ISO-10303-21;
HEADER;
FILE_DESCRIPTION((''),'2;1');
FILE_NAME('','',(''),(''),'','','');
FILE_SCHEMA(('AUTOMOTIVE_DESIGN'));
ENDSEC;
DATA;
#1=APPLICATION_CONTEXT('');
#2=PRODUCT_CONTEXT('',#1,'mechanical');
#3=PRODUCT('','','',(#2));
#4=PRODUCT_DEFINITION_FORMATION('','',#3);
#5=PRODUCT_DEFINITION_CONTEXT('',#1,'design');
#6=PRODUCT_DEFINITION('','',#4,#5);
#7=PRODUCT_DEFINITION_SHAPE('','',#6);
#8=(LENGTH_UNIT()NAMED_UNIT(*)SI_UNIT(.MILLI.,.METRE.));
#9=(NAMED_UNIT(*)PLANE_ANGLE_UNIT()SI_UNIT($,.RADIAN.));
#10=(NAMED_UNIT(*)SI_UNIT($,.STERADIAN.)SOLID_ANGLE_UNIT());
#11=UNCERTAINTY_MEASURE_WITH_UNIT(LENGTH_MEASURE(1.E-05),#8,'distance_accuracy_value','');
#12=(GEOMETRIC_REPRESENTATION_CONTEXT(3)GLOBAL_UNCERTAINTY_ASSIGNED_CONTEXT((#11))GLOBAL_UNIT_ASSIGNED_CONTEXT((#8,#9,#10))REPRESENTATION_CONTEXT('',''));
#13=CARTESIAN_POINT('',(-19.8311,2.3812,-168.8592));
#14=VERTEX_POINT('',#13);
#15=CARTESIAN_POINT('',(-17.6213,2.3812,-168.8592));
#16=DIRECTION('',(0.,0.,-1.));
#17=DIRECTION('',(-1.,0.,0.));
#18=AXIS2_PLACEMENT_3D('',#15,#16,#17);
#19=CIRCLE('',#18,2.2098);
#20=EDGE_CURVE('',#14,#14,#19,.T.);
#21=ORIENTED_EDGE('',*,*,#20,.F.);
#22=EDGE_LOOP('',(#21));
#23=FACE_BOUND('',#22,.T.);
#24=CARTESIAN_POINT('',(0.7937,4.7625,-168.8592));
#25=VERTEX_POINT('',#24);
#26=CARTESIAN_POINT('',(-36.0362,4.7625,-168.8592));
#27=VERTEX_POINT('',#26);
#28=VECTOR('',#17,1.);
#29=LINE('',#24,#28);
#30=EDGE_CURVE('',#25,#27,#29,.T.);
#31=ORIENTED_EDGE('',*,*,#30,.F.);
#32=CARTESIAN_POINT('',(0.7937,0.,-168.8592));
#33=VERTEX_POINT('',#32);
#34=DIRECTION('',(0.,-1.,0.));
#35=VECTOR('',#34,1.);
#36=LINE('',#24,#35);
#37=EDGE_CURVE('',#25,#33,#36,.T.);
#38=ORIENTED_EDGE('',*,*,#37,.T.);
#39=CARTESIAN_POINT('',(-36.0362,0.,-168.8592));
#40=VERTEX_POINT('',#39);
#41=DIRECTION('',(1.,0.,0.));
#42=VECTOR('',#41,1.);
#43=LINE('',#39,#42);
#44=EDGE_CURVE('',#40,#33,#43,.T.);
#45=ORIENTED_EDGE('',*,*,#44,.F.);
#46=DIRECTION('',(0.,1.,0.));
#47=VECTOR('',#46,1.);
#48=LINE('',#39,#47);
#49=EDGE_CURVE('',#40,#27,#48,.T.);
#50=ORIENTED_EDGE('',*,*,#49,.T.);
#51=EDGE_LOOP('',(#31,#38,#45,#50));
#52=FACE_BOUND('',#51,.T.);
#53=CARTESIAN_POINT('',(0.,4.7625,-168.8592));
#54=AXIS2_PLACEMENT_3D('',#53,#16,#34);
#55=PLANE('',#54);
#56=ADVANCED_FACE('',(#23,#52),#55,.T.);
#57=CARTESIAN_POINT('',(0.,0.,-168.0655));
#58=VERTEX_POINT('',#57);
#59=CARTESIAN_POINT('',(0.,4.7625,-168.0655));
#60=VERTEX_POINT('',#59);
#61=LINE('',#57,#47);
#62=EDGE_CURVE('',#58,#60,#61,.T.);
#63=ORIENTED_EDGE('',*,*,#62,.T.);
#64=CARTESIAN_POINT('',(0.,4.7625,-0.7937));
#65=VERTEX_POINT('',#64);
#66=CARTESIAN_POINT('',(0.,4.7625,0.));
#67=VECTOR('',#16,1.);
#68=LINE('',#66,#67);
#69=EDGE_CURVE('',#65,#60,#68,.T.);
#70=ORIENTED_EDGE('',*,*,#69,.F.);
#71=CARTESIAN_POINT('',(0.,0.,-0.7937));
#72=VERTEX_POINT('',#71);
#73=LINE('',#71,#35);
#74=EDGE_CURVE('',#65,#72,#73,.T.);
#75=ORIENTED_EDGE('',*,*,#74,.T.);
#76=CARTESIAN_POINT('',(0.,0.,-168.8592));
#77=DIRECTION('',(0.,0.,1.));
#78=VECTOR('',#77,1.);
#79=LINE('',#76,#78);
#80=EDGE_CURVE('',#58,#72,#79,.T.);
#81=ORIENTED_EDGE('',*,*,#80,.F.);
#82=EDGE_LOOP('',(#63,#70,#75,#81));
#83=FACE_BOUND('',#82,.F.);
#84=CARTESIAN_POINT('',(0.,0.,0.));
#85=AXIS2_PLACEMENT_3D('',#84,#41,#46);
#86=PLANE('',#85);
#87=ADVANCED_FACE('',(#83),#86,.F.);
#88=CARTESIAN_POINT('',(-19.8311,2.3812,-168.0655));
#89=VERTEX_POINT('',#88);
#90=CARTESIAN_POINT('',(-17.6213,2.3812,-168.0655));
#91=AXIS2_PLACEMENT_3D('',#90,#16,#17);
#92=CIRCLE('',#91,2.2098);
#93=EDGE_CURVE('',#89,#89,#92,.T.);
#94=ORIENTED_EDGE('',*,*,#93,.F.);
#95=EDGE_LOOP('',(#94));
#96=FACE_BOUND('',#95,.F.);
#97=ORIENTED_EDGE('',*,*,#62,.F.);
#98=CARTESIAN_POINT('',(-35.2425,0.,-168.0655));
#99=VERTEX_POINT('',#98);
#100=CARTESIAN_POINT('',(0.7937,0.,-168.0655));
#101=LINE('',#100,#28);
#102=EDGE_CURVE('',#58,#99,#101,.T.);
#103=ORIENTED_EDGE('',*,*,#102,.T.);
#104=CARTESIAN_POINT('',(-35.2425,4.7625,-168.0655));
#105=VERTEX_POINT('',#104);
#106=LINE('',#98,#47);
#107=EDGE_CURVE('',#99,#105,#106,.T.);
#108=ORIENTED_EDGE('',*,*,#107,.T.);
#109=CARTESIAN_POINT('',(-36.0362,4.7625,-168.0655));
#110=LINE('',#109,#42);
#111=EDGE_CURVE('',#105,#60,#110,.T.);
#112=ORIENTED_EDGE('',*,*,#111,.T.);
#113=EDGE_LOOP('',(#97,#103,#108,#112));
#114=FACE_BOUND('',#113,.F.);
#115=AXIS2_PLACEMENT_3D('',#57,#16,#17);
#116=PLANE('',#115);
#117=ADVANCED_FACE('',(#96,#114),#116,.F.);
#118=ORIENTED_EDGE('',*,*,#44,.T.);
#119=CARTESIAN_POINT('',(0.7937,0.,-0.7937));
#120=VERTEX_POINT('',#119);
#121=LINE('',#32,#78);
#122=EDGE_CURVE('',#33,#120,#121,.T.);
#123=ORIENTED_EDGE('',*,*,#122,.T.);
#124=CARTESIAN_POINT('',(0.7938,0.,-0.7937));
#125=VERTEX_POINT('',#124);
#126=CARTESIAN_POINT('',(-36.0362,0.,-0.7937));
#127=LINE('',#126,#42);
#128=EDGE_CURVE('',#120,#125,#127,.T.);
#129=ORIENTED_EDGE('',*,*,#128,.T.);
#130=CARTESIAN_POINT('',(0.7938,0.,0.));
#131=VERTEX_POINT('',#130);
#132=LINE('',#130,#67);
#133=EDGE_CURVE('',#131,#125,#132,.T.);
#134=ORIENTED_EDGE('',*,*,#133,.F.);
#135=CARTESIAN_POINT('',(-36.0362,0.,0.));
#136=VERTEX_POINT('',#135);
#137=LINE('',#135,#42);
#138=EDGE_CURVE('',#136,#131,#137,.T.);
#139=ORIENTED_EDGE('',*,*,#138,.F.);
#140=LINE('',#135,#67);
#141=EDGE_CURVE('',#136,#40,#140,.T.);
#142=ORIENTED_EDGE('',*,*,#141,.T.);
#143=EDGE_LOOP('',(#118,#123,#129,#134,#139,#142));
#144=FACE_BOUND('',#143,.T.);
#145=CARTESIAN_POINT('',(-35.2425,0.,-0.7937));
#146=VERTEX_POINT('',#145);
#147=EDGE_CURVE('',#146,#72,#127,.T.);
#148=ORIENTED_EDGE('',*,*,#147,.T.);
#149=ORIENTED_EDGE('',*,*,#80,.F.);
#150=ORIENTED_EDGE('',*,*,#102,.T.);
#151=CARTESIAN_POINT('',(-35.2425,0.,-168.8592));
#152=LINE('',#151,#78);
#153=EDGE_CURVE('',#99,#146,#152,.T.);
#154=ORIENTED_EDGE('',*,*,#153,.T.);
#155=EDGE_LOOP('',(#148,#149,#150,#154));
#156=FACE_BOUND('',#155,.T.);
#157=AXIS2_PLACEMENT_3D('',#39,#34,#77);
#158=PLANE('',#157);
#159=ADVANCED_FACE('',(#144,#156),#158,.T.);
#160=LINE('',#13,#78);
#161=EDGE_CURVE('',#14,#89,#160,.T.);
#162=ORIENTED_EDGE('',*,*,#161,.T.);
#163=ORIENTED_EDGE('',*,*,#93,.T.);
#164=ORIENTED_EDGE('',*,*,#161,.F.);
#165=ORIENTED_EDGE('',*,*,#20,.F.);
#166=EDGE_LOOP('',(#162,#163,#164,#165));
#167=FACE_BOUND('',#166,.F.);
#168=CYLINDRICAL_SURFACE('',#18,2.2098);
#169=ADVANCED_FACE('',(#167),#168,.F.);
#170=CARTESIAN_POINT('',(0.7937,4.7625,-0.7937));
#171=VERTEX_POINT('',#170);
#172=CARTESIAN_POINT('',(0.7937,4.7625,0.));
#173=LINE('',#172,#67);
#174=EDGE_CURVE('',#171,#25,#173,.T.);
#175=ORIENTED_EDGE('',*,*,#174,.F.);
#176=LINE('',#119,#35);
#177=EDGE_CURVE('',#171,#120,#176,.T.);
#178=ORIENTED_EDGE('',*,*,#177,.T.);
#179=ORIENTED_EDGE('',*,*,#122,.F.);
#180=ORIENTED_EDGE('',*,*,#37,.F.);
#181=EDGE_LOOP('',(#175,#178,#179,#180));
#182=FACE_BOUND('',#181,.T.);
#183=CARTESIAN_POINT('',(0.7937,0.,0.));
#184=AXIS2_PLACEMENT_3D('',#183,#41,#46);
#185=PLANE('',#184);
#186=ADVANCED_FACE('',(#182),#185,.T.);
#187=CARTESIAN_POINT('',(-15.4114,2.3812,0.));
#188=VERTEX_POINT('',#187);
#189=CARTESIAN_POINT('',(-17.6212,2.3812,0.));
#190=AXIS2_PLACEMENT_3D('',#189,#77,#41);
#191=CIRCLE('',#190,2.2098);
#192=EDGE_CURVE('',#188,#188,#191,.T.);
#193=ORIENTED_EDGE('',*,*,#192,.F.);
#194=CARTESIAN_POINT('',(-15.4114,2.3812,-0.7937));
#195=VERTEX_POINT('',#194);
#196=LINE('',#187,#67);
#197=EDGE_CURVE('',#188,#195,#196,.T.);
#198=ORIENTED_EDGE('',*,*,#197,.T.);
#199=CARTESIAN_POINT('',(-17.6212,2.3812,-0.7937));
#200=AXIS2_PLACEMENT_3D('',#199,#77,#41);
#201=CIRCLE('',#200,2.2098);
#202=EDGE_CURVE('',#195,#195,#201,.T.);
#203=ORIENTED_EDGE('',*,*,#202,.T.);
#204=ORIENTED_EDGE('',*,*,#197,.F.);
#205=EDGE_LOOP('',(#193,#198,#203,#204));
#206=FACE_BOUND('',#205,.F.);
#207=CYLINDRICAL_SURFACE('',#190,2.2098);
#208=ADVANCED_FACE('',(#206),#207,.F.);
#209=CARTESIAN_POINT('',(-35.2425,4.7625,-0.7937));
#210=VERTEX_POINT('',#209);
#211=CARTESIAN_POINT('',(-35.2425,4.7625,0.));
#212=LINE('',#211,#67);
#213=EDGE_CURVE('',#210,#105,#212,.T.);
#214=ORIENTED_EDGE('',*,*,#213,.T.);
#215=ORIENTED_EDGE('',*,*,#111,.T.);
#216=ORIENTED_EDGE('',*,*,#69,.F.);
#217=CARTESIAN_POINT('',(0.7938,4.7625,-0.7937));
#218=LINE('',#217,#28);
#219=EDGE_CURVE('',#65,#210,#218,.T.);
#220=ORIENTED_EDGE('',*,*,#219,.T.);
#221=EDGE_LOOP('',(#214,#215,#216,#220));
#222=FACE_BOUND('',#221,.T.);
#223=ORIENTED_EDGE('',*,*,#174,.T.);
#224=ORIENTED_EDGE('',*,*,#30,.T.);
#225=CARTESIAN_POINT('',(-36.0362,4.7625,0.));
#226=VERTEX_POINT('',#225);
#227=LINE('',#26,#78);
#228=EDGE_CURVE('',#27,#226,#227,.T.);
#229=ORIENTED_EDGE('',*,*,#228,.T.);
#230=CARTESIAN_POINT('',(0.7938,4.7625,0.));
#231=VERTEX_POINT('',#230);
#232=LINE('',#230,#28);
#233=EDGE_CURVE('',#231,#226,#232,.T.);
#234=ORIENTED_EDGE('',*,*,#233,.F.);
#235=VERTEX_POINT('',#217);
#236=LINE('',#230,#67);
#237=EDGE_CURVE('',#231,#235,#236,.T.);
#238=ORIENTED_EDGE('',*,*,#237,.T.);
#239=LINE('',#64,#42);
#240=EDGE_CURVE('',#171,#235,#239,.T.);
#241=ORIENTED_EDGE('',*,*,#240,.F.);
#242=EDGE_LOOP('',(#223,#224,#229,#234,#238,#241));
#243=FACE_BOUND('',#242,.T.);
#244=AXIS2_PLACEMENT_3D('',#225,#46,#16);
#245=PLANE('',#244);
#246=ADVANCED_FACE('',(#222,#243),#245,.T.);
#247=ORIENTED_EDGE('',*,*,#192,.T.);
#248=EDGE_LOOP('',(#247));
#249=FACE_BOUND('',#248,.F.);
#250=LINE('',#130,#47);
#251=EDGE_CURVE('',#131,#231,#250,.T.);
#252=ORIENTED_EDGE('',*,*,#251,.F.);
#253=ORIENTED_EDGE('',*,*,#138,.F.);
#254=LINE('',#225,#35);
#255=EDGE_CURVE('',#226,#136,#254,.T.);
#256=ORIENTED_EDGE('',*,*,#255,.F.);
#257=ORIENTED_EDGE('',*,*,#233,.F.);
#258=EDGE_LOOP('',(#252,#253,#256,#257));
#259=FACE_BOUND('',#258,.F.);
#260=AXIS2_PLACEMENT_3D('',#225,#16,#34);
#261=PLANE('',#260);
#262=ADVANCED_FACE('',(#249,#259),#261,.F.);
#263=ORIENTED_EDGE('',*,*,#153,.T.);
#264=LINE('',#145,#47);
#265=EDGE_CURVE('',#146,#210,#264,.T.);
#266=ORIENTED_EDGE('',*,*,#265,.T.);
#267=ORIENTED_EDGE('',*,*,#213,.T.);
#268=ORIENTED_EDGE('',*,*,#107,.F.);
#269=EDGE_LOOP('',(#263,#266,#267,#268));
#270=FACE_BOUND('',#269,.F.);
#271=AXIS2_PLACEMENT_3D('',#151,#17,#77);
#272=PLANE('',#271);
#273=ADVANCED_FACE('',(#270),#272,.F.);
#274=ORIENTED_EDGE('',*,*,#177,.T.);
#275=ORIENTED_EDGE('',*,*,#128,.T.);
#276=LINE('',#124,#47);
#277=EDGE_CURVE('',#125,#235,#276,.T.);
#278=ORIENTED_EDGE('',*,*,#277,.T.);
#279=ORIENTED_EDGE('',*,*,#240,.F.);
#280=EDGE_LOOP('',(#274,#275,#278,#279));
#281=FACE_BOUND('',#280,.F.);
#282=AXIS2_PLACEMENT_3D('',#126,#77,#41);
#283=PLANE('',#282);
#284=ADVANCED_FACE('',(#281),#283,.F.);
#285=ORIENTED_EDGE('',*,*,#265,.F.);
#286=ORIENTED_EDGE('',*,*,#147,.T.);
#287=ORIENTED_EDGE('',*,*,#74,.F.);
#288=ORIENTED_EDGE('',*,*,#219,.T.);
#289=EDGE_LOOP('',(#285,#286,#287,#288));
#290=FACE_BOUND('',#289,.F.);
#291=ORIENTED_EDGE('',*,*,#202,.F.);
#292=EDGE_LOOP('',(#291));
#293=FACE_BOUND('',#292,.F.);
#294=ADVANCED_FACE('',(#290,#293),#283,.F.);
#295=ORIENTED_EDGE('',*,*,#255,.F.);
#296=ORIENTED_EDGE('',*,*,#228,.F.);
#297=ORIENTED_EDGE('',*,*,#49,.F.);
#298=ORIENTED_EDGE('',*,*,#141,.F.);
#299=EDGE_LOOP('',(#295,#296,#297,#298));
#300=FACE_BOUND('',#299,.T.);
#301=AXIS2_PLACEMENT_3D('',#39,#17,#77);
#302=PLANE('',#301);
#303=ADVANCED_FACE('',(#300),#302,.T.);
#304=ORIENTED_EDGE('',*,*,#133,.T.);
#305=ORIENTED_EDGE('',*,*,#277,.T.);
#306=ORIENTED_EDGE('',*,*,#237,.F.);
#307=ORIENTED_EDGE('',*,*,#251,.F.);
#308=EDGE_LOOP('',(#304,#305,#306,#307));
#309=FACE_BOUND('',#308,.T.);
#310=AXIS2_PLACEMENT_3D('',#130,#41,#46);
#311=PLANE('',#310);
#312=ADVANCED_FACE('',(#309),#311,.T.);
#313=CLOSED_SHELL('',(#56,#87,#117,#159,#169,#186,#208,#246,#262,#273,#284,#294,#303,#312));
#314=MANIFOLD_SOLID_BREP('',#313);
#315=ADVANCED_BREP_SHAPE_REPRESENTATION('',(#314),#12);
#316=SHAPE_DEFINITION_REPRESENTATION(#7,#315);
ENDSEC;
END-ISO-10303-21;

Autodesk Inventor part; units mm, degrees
ref_plane "YZ Plane" through (0, 0, 0) normal (1, 0, 0) x (0, 1, 0)
ref_plane "XZ Plane" through (0, 0, 0) normal (0, 1, 0) x (-1, 0, 0)
ref_plane "XY Plane" through (0, 0, 0) normal (0, 0, 1) x (1, 0, 0)
sketch "Sketch1" plane through (0, 0, 0) normal (1, 0, 0) x (0, 1, 0)
  line L0 (0, 0) -> (4.7625, 0)
  line L1 (4.7625, 0) -> (4.7625, -168.8592)
  line L2 (4.7625, -168.8592) -> (0, -168.8592)
  line L3 (0, -168.8592) -> (0, 0)
  dimension "d1" = 4.7625
  dimension "d2" = 168.8592
extrude "Extrusion1" add sketch "Sketch1" along normal blind 0.7937
sketch "Sketch2" plane through (0, 0, -168.8592) normal (0, 0, -1) x (-1, 0, 0)
  line L0 (-0.7937, 0) -> (-0.7937, 4.7625) projected
  line L1 (-0.7937, 0) -> (36.0362, 0)
  line L2 (36.0362, 0) -> (36.0362, 4.7625)
  line L3 (36.0362, 4.7625) -> (-0.7937, 4.7625)
  line L4 (-0.7937, 4.7625) -> (-0.7937, 0)
  point P0 (0, 0)
  dimension "d5" = 36.83
  dimension "d6" = 4.7625
extrude "Extrusion2" add sketch "Sketch2" against normal blind 0.7937
sketch "Sketch3" plane through (-36.0362, 0, -168.8592) normal (-1, 0, 0) x (0, 0, 1)
  line L0 (168.8592, 4.7625) -> (168.8592, 0) projected
  line L1 (0, 0) -> (168.8592, 0)
  line L2 (168.8592, 0) -> (168.8592, 4.7625)
  line L3 (168.8592, 4.7625) -> (0, 4.7625)
  line L4 (0, 4.7625) -> (0, 0)
extrude "Extrusion3" add sketch "Sketch3" against normal blind 0.7937
sketch "Sketch4" plane through (-36.0362, 0, 0) normal (0, 0, 1) x (1, 0, 0)
  line L0 (0, 0) -> (0, 4.7625) projected
  line L1 (36.0362, 4.7625) -> (36.83, 4.7625) projected
  line L2 (0, 0) -> (36.83, 0)
  line L3 (36.83, 0) -> (36.83, 4.7625)
  line L4 (36.83, 4.7625) -> (0, 4.7625)
  line L5 (0, 4.7625) -> (0, 0)
  point P0 (36.0362, 0)
extrude "Extrusion4" add sketch "Sketch4" against normal blind 0.7937
sketch "Sketch7" plane through (-36.0362, 0, 0) normal (0, 0, 1) x (1, 0, 0)
  circle A0 centre (18.415, 2.3812) radius 2.2098
extrude "Extrusion5" cut sketch "Sketch7" against normal blind 0.7937
sketch "Sketch6" plane through (0.7937, 0, -168.8592) normal (0, 0, -1) x (-1, 0, 0)
  circle A0 centre (18.415, 2.3812) radius 2.2098
extrude "Extrusion6" cut sketch "Sketch6" against normal blind 0.7937
properties part number "Back rubber bands"
